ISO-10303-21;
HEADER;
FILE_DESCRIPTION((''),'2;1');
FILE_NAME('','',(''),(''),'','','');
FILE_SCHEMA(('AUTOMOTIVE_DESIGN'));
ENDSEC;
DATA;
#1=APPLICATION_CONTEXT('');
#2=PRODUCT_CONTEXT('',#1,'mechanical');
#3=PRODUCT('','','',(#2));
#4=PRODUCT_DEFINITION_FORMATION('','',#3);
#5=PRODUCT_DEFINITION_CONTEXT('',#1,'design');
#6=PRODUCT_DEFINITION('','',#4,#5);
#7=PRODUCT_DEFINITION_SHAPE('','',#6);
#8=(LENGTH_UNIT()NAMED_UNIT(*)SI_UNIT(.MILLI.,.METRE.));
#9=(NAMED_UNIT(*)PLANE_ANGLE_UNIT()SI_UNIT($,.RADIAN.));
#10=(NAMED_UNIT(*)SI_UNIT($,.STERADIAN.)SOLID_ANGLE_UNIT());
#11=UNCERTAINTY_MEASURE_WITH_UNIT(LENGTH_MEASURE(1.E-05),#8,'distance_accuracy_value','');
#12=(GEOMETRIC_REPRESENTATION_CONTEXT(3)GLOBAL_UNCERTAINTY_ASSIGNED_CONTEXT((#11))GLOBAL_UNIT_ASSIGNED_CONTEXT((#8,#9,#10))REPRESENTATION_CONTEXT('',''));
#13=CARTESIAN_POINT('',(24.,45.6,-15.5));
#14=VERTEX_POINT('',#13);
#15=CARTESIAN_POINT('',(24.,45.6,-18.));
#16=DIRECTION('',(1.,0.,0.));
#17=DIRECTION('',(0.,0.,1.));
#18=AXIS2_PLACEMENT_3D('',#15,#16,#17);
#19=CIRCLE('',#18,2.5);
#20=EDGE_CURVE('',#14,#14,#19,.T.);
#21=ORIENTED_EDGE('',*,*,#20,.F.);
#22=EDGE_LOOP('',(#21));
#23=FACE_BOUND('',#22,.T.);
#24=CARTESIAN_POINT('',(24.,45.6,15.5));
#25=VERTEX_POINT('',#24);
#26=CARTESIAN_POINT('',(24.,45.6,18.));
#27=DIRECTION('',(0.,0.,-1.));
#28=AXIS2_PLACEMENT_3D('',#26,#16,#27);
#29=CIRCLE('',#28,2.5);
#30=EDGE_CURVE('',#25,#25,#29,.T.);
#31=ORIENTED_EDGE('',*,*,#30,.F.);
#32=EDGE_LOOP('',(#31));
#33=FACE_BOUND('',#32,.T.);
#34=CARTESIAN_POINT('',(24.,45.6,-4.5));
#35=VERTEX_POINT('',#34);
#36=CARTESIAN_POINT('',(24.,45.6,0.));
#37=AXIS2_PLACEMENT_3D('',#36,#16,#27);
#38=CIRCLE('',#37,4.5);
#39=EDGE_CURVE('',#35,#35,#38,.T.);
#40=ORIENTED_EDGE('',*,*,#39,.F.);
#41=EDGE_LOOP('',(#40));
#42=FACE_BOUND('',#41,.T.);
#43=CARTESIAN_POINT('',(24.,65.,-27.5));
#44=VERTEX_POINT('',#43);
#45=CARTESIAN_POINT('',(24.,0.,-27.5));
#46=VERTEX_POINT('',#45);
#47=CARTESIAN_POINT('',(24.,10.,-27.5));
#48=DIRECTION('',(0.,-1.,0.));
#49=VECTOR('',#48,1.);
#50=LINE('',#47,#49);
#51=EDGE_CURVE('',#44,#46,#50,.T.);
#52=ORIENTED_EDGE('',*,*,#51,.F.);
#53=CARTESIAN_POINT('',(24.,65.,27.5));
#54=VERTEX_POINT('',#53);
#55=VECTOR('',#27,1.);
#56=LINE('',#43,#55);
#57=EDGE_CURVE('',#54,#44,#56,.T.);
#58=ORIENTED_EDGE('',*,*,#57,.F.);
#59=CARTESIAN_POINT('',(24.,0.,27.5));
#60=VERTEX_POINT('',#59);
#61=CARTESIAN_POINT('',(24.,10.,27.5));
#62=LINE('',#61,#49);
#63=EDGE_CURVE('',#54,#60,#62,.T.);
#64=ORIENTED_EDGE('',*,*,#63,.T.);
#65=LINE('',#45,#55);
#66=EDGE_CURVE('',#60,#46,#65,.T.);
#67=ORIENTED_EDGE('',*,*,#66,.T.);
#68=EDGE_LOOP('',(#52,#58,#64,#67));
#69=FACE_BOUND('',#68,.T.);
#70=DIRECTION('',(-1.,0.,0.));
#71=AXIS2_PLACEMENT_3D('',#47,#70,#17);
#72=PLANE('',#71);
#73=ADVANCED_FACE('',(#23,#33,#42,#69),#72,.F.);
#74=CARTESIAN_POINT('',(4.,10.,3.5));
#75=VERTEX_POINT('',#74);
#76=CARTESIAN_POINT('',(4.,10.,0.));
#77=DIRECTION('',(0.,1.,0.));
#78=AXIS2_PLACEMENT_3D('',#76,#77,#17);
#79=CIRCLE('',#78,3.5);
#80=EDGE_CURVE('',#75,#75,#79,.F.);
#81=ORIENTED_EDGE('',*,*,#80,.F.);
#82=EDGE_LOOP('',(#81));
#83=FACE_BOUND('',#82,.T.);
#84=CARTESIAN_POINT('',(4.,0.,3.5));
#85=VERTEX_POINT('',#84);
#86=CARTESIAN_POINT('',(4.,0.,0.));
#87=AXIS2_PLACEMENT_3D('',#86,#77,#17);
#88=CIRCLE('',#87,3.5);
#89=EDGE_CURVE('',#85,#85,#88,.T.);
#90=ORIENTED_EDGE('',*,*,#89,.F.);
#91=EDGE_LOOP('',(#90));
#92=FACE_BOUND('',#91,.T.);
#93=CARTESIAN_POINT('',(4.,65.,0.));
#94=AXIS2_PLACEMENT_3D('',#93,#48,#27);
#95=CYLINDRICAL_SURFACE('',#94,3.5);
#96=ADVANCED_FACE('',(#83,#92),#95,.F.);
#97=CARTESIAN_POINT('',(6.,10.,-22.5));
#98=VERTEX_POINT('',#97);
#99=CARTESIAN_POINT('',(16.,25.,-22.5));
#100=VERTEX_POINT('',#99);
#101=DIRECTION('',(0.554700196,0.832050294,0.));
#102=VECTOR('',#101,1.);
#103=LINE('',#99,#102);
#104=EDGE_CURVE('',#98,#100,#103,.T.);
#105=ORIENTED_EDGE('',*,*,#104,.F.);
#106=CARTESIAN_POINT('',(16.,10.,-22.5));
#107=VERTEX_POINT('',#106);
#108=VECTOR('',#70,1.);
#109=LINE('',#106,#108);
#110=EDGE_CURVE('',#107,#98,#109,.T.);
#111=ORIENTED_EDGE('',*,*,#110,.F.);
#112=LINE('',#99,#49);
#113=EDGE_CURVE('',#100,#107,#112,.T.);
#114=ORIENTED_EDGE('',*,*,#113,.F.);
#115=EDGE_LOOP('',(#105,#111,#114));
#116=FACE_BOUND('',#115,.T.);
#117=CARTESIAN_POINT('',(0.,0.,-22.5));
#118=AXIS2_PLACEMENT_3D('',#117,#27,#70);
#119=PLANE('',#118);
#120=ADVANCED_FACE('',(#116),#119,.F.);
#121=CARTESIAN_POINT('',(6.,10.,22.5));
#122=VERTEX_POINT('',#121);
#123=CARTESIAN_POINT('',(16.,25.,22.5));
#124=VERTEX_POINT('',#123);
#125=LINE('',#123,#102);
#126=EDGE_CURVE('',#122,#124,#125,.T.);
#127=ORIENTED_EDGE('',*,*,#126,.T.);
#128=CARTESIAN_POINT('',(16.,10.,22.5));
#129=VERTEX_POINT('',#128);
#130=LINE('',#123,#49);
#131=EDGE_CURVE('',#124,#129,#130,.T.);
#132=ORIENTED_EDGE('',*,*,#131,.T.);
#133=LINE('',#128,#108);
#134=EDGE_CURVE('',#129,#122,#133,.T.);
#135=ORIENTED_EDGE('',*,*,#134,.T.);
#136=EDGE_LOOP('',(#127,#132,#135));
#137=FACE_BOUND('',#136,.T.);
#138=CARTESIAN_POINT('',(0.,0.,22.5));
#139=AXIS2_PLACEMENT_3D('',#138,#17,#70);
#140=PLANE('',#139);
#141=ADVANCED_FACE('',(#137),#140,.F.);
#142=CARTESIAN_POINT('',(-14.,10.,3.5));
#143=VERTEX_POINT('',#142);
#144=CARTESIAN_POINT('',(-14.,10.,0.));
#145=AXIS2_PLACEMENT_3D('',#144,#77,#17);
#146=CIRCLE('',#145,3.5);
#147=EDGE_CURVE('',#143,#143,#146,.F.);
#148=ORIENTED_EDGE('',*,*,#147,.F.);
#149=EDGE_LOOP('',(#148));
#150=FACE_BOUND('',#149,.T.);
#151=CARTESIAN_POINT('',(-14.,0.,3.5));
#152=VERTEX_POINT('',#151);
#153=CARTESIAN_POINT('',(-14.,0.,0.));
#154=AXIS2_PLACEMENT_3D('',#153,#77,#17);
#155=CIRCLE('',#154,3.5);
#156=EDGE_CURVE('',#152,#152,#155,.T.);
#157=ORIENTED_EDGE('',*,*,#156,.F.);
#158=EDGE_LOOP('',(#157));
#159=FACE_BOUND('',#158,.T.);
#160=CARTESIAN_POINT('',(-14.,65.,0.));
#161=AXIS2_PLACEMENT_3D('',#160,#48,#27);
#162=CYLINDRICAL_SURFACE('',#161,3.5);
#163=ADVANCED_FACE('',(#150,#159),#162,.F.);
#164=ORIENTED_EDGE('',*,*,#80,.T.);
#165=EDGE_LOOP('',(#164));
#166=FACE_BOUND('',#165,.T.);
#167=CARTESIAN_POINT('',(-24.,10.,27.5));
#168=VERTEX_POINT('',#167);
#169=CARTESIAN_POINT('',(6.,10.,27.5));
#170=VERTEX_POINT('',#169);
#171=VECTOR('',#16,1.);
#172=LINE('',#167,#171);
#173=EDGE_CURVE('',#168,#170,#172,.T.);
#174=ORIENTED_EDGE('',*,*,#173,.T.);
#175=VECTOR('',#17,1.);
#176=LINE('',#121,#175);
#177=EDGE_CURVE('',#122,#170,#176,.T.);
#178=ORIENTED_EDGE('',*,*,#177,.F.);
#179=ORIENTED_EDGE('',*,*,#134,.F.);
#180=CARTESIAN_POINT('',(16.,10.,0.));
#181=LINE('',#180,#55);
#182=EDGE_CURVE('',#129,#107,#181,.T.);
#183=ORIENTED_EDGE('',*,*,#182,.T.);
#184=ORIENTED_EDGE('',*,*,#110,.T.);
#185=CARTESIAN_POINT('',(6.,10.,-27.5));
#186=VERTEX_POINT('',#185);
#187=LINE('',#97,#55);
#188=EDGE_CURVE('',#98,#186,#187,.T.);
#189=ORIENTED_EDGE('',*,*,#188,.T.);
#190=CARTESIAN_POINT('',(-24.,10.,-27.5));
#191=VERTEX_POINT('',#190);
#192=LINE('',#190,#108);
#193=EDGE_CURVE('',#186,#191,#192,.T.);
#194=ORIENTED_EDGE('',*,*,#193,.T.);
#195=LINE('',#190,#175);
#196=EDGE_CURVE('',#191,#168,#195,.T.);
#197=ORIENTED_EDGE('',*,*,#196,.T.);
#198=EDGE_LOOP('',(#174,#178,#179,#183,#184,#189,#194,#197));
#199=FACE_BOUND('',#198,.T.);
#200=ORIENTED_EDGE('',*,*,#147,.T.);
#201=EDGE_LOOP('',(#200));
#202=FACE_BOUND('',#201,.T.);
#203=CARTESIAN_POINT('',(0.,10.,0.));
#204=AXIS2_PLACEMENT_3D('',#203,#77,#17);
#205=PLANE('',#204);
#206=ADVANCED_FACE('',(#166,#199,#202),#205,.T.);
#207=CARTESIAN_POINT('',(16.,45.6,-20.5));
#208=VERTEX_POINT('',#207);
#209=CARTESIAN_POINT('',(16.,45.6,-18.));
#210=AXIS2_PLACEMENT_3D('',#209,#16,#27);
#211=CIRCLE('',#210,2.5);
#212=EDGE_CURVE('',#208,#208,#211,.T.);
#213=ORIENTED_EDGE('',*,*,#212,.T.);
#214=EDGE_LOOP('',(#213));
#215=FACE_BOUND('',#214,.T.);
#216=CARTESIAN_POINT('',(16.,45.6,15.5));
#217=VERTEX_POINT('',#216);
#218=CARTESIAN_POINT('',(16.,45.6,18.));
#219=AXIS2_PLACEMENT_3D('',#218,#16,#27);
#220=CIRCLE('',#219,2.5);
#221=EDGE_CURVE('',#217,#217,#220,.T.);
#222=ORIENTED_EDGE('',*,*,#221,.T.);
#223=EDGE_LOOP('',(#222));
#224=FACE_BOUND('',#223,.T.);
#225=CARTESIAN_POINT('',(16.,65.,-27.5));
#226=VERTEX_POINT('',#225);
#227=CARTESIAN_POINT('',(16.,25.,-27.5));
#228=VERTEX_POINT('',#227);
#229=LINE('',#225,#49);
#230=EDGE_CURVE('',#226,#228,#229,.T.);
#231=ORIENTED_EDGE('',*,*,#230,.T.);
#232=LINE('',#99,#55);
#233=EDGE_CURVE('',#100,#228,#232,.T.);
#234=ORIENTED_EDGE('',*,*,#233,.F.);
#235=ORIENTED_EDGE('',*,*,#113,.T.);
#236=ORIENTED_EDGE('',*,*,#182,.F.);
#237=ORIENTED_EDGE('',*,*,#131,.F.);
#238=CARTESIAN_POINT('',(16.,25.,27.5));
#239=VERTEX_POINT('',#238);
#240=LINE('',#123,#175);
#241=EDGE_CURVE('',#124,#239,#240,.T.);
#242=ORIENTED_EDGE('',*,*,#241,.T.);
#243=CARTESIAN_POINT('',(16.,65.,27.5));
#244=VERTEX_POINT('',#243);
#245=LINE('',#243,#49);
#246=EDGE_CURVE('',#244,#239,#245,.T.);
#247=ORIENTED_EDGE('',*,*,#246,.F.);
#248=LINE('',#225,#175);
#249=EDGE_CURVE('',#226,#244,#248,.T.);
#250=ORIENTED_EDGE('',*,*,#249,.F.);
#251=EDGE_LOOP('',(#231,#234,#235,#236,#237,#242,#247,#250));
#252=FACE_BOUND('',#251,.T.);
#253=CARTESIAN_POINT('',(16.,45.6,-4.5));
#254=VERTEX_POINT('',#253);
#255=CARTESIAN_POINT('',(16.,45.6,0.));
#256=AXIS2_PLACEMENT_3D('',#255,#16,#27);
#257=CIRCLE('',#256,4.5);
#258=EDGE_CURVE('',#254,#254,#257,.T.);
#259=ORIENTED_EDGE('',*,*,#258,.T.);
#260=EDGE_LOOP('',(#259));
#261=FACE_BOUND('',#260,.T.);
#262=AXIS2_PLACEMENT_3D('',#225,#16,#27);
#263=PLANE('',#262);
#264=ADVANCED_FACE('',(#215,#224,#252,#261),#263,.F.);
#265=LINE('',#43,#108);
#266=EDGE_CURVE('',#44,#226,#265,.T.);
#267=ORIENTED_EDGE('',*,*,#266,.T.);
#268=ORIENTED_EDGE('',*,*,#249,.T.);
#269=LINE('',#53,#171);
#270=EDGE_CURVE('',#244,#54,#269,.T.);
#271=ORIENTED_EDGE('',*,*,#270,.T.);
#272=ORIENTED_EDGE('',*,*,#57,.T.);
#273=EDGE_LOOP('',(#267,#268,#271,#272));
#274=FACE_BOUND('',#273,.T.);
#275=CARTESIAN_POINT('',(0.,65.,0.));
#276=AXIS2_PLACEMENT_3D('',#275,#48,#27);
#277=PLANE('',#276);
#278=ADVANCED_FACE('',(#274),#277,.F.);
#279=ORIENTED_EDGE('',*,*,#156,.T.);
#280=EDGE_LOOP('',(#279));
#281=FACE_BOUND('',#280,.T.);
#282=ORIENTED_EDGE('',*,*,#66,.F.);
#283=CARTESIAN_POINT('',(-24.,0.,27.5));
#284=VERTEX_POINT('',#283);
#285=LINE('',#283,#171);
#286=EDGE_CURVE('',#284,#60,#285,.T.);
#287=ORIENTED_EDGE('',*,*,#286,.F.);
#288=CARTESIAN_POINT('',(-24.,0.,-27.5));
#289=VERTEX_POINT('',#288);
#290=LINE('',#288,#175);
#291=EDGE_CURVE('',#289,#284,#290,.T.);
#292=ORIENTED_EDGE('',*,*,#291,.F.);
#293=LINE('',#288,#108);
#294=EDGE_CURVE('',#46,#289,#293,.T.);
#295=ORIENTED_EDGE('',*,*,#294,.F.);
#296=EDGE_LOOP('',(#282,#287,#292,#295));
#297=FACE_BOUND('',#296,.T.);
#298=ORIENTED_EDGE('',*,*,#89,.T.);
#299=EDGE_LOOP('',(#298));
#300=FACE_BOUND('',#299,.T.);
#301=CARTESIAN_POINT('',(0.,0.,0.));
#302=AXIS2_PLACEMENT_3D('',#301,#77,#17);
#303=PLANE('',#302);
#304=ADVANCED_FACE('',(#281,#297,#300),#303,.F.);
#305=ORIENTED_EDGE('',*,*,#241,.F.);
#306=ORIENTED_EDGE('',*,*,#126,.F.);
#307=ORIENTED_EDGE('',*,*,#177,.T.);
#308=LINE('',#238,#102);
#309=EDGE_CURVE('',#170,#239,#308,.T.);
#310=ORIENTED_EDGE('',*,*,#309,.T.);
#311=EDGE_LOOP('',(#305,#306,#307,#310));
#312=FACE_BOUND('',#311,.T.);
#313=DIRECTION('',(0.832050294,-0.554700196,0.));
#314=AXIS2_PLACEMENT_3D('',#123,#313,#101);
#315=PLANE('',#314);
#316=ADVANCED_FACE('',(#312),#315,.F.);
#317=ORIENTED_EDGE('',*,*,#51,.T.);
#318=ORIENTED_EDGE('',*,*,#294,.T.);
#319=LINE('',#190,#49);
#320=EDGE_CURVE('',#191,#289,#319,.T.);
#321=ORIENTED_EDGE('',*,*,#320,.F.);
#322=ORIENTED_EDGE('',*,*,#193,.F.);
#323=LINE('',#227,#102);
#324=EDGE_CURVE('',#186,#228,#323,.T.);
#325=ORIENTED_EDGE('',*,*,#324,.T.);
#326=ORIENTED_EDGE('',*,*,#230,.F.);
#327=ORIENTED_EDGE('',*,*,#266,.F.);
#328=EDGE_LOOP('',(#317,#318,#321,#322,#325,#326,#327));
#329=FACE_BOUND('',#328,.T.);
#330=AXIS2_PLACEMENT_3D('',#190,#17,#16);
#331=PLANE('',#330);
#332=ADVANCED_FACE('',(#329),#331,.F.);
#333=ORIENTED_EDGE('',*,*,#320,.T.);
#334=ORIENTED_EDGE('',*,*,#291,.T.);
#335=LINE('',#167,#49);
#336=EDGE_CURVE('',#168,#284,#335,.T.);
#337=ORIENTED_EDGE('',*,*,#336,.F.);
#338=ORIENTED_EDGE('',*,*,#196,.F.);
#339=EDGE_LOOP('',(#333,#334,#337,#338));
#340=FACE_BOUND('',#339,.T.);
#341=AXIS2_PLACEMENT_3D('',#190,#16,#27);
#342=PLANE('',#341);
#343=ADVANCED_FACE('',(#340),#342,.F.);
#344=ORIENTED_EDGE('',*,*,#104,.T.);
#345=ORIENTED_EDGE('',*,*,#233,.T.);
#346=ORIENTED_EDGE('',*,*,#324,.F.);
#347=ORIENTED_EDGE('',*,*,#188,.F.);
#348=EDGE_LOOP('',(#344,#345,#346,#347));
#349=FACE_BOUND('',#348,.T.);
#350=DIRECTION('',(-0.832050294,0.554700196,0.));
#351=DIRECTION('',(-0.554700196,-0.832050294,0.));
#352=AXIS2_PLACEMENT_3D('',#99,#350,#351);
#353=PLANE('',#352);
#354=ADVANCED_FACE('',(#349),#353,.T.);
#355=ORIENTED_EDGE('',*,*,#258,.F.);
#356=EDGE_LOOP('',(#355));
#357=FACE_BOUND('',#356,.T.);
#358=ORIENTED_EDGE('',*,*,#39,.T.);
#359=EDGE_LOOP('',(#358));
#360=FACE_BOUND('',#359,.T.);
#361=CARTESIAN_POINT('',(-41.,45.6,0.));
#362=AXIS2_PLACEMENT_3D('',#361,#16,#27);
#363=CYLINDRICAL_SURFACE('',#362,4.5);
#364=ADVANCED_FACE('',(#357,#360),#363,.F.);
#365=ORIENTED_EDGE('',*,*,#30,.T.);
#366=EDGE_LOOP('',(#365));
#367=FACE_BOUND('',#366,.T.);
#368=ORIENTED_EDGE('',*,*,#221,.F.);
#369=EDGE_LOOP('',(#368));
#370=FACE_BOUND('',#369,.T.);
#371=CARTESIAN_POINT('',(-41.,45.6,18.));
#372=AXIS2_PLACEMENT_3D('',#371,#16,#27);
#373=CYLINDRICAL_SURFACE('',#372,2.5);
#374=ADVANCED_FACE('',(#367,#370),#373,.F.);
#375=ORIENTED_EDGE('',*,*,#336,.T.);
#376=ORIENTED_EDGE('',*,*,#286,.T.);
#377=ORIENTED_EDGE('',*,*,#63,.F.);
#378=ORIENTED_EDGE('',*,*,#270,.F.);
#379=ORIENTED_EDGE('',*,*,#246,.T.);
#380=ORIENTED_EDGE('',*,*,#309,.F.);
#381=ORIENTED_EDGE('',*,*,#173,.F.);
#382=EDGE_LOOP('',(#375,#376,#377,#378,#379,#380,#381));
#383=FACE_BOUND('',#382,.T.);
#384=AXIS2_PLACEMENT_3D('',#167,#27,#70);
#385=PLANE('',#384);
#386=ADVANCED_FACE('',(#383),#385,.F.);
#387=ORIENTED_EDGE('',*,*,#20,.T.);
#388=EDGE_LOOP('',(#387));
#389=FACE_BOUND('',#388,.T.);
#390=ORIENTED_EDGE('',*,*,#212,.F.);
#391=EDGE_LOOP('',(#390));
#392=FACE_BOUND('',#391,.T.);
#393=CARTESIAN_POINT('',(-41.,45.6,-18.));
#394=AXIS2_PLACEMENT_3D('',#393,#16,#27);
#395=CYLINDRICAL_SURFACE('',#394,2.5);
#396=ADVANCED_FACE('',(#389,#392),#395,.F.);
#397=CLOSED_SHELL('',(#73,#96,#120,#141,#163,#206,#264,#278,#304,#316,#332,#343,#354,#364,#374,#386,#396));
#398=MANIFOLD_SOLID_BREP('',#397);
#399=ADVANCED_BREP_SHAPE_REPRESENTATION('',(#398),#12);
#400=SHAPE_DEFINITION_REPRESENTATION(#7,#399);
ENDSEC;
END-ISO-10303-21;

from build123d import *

# Parameters (mm, degrees)
SKETCH1_W           = 48
SKETCH1_H           = 55
BOSS_EXTRUDE1_DEPTH = 10
SKETCH2_W           = 8
SKETCH2_H           = 55
BOSS_EXTRUDE2_DEPTH = 65
SKETCH3_R           = 4.5
CUT_EXTRUDE1_DEPTH  = 65
SKETCH4_R           = 2.5
CUT_EXTRUDE2_DEPTH  = 65
SKETCH5_R           = 3.5
CUT_EXTRUDE4_DEPTH  = 65
BOSS_EXTRUDE3_DEPTH = 5


with BuildPart() as part:
    # Sketch1 → Boss-Extrude1 (new body)
    with BuildSketch(Plane(origin=(0, 0, 0), x_dir=(1, 0, 0), z_dir=(0, 1, 0))):
        Rectangle(SKETCH1_W, SKETCH1_H)
    extrude(amount=BOSS_EXTRUDE1_DEPTH)

    # Sketch2 → Boss-Extrude2 (add)
    with BuildSketch(Plane(origin=(0, 0, 0), x_dir=(1, 0, 0), z_dir=(0, 1, 0))):
        with Locations((20, 0)):
            Rectangle(SKETCH2_W, SKETCH2_H)
    extrude(amount=BOSS_EXTRUDE2_DEPTH)

    # Sketch3 → Cut-Extrude1 (cut)
    with BuildSketch(Plane(origin=(24, 0, 0), x_dir=(0, 0, -1), z_dir=(1, 0, 0))):
        with Locations((0, 45.6)):
            Circle(SKETCH3_R)
    extrude(amount=-CUT_EXTRUDE1_DEPTH, mode=Mode.SUBTRACT)

    # Sketch4 → Cut-Extrude2 (cut)
    with BuildSketch(Plane(origin=(24, 0, 0), x_dir=(0, 0, -1), z_dir=(1, 0, 0))):
        with Locations((-18, 45.6)):
            Circle(SKETCH4_R)
        with Locations((18, 45.6)):
            Circle(SKETCH4_R)
    extrude(amount=-CUT_EXTRUDE2_DEPTH, mode=Mode.SUBTRACT)

    # Sketch5 → Cut-Extrude4 (cut)
    with BuildSketch(Plane(origin=(0, 0, 0), x_dir=(1, 0, 0), z_dir=(0, 1, 0))):
        with Locations((-14, 0)):
            Circle(SKETCH5_R)
        with Locations((4, 0)):
            Circle(SKETCH5_R)
    extrude(amount=CUT_EXTRUDE4_DEPTH, mode=Mode.SUBTRACT)

    # Sketch8 → Boss-Extrude3 (add)
    with BuildSketch(Plane(origin=(0, 0, -27.5), x_dir=(-1, 0, 0), z_dir=(0, 0, -1))):
        Polygon((-16, 25), (-16, 10), (-6, 10), align=None)
    boss_extrude3 = extrude(amount=-BOSS_EXTRUDE3_DEPTH)

    # Mirror1: Boss-Extrude3 across plane
    add(boss_extrude3.mirror(Plane.XY))


solid = part.part
